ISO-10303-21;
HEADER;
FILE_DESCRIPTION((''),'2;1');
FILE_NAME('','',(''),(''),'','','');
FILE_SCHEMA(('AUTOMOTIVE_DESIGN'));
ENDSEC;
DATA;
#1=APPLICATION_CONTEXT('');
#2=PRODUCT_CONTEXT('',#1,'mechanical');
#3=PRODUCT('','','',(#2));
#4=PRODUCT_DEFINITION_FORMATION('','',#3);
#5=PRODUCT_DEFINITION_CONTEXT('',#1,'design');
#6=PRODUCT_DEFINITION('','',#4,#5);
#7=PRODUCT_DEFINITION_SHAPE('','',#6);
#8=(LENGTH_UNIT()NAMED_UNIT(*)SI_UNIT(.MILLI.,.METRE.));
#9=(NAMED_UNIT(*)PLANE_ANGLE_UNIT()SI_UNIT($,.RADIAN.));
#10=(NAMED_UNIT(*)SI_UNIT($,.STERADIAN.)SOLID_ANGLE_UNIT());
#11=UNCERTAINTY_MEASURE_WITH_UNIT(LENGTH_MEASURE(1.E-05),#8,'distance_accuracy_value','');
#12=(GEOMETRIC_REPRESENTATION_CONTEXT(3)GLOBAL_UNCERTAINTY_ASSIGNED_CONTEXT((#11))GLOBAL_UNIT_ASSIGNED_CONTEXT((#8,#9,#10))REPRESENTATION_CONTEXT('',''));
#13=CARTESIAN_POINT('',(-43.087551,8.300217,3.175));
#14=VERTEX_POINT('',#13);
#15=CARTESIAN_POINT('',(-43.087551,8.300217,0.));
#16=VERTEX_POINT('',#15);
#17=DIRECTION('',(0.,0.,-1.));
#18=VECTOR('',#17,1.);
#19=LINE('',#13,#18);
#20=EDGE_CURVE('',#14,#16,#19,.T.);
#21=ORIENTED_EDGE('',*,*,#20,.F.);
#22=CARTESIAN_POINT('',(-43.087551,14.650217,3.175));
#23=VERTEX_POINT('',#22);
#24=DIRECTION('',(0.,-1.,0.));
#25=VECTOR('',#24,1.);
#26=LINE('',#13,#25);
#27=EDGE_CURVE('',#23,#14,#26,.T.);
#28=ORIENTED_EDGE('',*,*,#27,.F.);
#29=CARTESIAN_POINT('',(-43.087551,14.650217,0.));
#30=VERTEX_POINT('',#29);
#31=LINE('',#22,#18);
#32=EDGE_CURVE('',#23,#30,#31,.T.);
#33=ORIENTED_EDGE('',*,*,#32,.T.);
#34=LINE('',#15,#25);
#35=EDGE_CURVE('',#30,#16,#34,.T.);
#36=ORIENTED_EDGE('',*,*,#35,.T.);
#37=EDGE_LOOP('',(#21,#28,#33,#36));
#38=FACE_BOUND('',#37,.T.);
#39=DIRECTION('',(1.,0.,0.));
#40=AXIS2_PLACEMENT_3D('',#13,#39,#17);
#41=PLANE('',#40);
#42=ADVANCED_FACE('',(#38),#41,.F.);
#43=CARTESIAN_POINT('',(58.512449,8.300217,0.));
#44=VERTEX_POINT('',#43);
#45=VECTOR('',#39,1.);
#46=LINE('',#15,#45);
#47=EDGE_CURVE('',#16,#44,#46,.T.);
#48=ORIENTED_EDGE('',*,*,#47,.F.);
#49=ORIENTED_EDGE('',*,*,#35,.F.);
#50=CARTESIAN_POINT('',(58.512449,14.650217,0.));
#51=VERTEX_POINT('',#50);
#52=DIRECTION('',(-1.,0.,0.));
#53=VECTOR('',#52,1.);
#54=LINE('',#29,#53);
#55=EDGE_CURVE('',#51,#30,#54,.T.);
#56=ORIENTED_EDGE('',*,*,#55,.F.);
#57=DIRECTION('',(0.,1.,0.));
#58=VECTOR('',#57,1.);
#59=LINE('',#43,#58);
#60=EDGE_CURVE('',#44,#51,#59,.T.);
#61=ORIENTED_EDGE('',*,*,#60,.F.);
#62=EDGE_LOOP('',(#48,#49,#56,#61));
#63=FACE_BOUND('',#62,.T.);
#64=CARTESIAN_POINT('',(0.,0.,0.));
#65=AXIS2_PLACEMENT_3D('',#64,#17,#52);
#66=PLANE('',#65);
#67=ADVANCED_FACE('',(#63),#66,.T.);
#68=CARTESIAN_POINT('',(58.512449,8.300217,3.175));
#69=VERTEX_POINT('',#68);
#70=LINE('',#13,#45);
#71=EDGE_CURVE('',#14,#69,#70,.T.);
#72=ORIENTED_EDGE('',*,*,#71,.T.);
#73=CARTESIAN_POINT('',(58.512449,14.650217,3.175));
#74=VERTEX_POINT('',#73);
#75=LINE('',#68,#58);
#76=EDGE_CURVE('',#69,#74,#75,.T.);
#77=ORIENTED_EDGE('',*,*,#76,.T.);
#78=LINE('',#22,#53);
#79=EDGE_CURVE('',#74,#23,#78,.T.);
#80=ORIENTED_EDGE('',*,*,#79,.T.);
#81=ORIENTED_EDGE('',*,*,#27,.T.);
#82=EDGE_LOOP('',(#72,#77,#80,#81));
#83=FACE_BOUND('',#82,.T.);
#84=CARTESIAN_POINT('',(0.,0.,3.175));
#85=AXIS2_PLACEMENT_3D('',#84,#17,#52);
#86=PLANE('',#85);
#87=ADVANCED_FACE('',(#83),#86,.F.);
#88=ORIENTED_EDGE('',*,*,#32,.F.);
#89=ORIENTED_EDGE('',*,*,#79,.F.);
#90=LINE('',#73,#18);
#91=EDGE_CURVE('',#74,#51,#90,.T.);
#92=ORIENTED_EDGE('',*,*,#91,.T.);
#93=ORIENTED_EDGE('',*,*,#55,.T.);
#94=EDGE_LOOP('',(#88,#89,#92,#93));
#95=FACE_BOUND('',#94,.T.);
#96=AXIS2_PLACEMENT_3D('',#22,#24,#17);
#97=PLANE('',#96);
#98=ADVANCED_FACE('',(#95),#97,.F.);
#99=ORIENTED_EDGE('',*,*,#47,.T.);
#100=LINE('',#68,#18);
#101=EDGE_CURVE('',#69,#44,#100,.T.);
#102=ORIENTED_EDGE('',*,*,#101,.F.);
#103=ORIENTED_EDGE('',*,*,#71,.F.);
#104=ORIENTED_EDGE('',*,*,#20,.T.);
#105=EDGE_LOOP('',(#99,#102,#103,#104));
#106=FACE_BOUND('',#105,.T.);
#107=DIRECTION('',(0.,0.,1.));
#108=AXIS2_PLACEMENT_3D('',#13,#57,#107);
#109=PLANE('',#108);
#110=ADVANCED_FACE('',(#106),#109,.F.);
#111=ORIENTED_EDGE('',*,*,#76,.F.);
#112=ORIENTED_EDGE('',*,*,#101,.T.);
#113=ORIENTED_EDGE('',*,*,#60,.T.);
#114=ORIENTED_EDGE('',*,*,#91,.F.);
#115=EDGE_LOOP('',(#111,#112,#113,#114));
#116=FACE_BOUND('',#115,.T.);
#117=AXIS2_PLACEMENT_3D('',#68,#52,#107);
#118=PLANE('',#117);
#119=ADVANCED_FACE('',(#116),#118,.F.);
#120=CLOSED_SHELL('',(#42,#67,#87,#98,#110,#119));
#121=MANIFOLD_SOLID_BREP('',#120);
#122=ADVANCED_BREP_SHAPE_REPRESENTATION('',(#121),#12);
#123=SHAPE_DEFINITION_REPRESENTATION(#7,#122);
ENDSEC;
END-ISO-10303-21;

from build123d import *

# Parameters (mm, degrees)
SKETCH1_W           = 101.6
SKETCH1_H           = 6.35
BOSS_EXTRUDE1_DEPTH = 3.175


with BuildPart() as part:
    # Sketch1 → Boss-Extrude1 (new body)
    with BuildSketch(Plane.XY):
        with Locations((7.712449405, 11.475217362)):
            Rectangle(SKETCH1_W, SKETCH1_H)
    extrude(amount=BOSS_EXTRUDE1_DEPTH)


solid = part.part
